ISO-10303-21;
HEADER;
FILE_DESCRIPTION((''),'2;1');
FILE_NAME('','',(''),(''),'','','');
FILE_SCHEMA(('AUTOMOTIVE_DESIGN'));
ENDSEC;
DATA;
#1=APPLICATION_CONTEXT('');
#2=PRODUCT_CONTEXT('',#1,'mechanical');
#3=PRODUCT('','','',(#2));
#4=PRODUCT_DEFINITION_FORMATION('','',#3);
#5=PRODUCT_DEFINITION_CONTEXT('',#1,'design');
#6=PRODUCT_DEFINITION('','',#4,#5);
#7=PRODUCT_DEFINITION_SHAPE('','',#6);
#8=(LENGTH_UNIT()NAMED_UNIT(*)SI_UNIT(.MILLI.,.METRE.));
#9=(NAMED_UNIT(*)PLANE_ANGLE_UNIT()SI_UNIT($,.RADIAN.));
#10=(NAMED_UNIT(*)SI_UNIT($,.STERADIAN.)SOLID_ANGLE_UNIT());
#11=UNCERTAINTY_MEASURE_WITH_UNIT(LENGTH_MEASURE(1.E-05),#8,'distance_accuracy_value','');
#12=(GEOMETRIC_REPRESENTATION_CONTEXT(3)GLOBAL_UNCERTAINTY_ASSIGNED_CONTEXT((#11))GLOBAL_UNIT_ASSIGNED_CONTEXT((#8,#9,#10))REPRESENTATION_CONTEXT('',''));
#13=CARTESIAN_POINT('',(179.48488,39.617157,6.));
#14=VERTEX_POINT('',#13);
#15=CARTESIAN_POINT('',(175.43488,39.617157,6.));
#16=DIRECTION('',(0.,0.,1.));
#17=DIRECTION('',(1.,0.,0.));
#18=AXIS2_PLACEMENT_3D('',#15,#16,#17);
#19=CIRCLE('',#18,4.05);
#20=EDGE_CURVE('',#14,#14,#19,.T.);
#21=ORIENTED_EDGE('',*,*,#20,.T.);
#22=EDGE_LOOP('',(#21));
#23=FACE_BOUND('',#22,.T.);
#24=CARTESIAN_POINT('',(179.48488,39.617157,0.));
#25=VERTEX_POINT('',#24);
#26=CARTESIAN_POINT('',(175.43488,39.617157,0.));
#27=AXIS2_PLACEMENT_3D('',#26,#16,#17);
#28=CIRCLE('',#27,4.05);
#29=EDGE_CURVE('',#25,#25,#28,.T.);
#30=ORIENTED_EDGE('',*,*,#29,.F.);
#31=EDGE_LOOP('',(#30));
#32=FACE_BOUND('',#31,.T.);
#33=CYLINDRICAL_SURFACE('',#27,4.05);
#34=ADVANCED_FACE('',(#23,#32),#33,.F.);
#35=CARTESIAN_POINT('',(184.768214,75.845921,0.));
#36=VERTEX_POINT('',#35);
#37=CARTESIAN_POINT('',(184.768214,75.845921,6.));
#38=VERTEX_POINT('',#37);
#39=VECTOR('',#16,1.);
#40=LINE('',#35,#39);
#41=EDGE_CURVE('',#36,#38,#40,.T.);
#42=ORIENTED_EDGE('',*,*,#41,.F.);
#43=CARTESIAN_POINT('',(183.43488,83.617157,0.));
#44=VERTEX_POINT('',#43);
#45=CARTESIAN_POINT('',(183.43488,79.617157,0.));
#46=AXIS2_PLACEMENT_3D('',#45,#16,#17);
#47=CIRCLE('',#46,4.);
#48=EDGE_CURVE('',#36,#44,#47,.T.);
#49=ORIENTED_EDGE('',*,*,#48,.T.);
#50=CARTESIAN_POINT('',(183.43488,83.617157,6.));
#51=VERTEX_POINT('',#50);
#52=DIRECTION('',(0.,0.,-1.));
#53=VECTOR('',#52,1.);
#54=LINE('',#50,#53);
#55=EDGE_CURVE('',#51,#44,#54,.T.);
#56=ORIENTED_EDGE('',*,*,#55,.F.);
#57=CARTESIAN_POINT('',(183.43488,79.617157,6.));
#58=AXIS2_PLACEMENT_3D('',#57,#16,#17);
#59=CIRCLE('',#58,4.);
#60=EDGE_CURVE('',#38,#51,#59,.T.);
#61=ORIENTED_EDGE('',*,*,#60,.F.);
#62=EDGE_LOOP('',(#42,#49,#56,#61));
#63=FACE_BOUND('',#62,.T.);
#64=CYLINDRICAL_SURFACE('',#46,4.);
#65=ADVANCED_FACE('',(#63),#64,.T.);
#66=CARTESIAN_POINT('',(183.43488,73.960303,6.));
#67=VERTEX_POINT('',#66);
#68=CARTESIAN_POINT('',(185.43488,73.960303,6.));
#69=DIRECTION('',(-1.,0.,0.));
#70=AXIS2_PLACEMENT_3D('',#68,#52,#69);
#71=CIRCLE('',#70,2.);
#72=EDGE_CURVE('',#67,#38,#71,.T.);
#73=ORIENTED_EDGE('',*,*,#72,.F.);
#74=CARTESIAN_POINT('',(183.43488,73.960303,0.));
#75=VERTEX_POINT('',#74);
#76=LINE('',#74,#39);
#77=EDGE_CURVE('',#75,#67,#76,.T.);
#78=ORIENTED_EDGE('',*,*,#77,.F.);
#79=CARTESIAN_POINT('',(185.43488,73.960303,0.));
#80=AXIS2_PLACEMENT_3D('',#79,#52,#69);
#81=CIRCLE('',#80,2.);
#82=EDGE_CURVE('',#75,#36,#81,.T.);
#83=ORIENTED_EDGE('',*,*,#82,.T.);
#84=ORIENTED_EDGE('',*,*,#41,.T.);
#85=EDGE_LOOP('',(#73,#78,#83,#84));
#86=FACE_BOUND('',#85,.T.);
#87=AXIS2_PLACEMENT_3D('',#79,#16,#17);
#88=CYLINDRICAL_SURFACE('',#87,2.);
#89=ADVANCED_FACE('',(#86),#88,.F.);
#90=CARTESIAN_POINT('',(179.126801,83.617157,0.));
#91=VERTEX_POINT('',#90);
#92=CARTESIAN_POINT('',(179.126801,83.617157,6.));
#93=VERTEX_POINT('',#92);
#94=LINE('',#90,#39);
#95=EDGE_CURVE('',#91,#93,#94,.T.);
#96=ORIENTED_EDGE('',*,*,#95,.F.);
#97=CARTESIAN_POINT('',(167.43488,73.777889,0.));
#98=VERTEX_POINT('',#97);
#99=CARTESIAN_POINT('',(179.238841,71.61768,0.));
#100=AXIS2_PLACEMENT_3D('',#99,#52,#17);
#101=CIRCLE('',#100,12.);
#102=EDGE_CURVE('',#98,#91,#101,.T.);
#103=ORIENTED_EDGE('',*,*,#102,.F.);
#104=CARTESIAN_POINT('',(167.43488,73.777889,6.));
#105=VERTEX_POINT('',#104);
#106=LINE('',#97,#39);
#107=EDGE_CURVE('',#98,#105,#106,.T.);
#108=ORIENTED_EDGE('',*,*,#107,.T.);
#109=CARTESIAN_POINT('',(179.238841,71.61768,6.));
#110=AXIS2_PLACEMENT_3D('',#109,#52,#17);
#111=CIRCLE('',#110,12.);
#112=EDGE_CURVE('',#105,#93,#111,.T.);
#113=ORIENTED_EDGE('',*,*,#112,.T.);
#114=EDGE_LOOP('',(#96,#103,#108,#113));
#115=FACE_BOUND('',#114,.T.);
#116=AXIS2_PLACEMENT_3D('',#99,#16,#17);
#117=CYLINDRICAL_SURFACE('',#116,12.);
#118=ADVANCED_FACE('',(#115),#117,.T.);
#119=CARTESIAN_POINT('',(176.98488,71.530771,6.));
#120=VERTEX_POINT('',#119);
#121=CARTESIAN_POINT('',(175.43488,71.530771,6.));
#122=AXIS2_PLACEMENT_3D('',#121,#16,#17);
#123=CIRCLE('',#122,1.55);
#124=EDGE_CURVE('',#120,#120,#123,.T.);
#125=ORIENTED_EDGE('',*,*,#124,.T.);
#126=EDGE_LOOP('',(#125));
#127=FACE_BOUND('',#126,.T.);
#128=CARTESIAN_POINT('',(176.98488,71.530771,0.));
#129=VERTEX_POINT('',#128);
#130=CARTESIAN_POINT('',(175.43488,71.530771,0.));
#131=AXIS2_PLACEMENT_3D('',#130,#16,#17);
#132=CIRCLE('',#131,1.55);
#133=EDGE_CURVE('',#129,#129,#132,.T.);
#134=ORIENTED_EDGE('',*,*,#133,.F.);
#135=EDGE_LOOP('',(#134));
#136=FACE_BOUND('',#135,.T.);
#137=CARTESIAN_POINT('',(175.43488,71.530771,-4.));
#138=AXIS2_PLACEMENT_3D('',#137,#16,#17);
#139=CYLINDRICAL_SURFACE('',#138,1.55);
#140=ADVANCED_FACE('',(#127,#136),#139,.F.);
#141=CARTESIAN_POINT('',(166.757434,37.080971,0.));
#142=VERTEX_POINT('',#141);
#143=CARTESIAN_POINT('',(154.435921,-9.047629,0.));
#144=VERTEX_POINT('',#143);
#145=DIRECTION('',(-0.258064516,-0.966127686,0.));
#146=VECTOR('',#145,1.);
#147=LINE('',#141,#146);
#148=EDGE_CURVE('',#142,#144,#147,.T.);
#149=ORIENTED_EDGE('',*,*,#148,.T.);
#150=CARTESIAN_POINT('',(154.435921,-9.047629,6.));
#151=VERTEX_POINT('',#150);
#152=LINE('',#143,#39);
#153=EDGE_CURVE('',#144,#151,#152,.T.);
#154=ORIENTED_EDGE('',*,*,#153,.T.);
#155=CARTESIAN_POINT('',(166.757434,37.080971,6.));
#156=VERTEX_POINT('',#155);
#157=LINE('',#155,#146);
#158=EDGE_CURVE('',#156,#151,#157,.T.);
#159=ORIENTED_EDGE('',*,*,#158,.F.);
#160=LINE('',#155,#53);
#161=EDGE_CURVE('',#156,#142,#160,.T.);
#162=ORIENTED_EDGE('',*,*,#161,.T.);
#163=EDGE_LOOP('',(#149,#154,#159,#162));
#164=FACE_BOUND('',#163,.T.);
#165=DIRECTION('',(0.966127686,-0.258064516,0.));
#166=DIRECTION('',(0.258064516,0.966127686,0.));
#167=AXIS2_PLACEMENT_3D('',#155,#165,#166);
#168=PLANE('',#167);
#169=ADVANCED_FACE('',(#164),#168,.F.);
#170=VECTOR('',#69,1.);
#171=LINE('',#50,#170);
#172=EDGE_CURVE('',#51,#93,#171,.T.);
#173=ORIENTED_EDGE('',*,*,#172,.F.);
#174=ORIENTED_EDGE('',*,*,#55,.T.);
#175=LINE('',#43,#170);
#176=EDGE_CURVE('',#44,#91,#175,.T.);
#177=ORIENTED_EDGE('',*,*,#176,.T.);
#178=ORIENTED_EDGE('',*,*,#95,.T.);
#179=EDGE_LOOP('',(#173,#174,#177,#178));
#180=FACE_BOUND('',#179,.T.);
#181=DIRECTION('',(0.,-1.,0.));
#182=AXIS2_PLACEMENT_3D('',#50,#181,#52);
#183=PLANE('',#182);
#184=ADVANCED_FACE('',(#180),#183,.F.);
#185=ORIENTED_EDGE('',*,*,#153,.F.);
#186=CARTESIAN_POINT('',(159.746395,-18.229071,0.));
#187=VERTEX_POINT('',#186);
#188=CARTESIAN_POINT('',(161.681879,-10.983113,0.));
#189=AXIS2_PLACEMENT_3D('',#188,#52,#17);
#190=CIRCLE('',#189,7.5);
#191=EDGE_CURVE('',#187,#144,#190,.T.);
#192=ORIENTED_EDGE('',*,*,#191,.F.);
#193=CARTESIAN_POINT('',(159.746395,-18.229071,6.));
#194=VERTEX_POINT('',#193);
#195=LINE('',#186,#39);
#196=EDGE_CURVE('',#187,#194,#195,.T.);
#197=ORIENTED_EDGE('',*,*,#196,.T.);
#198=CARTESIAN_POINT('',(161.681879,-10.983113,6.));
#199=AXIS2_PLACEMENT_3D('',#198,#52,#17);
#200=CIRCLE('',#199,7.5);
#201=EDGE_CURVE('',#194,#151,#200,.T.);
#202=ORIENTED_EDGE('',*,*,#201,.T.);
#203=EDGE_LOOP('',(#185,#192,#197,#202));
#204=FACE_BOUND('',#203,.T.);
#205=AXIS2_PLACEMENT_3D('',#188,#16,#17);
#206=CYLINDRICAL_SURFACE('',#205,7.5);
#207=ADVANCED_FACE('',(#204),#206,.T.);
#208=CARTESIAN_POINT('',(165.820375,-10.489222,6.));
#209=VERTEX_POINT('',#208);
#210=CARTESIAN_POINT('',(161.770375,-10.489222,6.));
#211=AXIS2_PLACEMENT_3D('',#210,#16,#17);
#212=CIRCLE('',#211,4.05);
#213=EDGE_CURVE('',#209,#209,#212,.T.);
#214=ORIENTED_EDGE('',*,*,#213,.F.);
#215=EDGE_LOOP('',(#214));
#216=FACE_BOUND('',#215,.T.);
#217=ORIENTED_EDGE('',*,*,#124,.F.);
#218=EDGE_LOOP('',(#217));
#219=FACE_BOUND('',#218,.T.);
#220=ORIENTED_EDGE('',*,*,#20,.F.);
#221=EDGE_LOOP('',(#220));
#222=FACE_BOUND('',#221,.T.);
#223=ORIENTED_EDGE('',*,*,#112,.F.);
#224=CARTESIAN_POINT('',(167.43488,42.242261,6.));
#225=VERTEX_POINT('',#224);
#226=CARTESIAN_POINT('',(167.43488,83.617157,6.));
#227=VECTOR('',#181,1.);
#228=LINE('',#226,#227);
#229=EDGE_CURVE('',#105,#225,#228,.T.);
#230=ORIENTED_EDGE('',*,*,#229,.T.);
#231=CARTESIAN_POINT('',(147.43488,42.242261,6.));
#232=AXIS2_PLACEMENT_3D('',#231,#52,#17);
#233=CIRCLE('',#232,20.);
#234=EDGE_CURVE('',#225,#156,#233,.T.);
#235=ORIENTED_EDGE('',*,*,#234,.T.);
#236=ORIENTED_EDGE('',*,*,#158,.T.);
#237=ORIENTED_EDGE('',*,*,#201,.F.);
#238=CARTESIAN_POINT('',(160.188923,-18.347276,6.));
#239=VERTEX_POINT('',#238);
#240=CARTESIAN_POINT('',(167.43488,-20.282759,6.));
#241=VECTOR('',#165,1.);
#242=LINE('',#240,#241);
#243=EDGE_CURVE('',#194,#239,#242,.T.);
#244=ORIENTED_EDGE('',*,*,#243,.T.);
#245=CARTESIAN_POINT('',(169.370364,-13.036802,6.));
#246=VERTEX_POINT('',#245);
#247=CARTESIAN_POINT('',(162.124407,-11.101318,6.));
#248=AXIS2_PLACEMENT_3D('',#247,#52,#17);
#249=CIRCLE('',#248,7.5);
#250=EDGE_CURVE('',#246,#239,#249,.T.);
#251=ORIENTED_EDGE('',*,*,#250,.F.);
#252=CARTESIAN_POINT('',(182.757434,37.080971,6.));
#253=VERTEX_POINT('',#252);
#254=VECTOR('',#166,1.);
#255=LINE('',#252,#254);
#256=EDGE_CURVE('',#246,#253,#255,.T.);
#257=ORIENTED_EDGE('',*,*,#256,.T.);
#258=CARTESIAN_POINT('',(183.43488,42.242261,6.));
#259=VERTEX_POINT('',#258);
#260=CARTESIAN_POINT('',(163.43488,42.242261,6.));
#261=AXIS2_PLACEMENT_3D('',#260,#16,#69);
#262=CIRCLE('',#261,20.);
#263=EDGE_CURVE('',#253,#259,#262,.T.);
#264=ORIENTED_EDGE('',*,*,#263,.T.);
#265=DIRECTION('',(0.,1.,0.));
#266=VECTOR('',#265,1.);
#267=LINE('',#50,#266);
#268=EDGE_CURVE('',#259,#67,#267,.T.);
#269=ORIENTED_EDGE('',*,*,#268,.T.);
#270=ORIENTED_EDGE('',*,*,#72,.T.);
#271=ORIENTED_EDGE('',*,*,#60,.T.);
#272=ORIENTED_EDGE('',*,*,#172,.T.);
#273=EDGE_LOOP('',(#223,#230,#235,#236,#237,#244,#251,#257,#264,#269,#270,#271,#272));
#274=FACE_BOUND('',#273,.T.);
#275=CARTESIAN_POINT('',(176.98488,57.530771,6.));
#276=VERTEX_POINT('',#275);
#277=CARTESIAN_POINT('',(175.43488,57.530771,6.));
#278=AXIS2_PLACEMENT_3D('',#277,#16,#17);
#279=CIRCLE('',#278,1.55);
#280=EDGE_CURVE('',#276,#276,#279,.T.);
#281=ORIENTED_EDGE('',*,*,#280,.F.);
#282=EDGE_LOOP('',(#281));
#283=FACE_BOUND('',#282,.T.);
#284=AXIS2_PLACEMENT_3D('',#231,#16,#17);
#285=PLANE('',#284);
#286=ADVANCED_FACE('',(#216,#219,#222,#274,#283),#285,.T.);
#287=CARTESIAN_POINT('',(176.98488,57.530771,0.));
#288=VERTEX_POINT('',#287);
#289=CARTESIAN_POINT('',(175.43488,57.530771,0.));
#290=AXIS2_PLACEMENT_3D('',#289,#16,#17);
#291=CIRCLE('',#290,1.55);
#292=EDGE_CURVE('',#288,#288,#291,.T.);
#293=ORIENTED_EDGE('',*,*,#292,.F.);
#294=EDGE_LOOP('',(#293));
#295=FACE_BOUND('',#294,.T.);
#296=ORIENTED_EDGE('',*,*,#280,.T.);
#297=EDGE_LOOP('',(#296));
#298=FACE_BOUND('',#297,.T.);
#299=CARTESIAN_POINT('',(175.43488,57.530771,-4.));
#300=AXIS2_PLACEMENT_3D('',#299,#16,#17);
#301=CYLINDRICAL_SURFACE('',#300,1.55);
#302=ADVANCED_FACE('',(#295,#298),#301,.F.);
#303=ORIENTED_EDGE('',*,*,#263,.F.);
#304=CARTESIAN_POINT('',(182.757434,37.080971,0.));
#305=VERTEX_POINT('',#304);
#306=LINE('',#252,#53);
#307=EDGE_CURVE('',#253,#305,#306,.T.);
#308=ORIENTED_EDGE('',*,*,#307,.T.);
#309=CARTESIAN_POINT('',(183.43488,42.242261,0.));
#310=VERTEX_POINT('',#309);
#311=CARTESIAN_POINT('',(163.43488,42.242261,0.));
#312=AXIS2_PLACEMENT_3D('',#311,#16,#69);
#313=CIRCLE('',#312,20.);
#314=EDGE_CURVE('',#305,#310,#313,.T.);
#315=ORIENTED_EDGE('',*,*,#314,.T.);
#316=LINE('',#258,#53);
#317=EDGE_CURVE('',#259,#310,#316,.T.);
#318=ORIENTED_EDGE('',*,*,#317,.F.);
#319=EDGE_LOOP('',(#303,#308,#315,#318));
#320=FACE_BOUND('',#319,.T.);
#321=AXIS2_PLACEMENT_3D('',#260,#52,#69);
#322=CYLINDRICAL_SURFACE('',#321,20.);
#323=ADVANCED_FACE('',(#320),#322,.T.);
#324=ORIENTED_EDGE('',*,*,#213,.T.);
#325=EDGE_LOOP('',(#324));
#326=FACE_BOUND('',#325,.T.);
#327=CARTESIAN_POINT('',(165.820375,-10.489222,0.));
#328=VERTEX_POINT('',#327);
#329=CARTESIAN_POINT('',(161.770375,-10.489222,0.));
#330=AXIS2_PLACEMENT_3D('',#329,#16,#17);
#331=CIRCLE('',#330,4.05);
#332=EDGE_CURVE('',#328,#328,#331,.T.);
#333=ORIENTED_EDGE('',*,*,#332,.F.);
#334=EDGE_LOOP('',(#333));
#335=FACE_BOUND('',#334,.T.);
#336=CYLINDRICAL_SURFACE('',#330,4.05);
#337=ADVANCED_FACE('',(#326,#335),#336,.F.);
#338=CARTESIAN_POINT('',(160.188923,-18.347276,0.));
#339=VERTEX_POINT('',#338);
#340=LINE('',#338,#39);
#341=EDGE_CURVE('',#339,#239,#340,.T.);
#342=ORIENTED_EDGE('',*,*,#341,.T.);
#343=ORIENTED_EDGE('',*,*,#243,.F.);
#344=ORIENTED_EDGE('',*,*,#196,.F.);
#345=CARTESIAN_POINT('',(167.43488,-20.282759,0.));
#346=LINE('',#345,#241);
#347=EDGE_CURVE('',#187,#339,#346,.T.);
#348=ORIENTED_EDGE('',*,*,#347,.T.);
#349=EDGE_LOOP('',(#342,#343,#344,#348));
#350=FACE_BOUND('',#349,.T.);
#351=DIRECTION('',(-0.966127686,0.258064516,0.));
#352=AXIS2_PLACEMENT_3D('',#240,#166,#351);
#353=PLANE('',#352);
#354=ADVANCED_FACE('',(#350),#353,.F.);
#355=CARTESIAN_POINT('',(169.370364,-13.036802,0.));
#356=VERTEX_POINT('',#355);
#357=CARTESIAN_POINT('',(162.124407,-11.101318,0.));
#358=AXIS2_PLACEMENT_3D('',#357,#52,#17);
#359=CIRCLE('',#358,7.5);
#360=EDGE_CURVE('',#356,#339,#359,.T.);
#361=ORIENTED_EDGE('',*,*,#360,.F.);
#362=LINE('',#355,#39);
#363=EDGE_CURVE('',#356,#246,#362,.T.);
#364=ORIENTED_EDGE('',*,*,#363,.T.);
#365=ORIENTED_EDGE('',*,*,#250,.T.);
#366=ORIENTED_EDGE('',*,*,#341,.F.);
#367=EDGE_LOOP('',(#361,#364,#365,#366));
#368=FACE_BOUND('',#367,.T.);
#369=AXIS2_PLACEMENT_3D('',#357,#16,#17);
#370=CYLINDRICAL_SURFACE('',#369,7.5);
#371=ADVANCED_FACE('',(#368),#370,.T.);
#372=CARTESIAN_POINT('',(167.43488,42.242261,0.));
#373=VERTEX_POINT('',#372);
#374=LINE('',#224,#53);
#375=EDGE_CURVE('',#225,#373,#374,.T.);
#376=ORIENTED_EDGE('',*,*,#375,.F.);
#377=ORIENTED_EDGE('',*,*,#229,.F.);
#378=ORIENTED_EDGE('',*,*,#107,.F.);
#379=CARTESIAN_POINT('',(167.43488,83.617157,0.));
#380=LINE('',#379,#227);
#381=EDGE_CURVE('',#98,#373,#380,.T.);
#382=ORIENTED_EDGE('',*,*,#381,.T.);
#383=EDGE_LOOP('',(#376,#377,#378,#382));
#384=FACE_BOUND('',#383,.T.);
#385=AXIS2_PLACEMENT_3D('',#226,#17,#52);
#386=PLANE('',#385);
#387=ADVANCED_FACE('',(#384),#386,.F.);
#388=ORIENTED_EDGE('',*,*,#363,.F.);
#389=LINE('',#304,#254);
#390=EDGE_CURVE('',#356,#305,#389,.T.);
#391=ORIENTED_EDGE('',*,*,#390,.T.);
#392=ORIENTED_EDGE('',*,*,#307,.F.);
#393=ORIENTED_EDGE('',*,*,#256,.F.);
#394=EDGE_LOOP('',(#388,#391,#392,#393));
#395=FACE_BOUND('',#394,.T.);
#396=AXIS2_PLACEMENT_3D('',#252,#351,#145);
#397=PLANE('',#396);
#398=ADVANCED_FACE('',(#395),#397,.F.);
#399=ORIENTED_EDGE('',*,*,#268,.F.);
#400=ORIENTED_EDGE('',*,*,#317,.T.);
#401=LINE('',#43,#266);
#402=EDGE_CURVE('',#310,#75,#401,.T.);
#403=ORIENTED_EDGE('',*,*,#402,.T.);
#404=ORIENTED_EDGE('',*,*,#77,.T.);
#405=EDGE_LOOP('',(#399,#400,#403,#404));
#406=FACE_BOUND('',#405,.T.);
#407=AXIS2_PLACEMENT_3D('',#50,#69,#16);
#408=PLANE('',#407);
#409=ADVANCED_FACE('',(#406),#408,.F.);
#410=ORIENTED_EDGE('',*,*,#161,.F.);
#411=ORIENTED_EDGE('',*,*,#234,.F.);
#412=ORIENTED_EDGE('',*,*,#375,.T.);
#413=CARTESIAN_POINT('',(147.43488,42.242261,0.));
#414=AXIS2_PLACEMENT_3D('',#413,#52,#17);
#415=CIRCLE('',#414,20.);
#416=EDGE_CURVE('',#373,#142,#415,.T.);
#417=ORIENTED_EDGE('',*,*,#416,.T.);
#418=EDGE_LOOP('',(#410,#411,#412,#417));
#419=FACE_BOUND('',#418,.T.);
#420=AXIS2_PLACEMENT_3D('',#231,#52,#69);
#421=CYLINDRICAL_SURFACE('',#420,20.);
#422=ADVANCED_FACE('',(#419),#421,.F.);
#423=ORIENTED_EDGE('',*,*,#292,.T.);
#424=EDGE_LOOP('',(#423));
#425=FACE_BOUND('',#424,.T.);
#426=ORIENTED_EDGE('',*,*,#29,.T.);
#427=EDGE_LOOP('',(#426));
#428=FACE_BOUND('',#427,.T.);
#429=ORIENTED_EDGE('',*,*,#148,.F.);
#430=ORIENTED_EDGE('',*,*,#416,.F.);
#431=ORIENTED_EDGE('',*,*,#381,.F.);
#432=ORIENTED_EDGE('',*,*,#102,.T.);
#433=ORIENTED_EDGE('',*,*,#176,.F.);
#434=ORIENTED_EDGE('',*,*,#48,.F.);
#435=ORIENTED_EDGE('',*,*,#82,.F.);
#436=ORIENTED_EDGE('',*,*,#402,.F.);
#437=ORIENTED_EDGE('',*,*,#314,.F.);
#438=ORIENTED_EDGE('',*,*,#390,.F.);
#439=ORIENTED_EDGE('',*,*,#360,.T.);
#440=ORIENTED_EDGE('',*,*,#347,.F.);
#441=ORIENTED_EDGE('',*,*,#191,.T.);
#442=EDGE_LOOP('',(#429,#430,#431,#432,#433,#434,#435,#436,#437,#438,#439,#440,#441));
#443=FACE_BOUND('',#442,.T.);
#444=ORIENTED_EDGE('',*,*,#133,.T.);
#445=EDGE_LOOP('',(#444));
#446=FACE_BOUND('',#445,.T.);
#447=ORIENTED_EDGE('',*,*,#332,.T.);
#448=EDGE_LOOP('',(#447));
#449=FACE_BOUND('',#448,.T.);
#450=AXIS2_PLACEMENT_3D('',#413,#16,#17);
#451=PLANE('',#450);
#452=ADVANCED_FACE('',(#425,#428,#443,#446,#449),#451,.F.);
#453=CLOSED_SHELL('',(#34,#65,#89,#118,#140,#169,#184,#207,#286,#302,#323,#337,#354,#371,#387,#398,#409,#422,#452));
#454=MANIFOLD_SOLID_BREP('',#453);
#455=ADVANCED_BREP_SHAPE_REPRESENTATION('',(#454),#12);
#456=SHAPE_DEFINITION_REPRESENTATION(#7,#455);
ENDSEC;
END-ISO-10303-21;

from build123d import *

# Parameters (mm, degrees)
DODANIE_WYCI_GNI_CIE1_DEPTH = 6
SZKIC2_R                    = 4.05
WYTNIJ_WYCI_GNI_CIE1_DEPTH  = 6
SZKIC4_R                    = 4.05
WYTNIJ_WYCI_GNI_CIE4_DEPTH  = 6
WYTNIJ_WYCI_GNI_CIE5_DEPTH  = 6
SZKIC6_R                    = 4
DODANIE_WYCI_GNI_CIE2_DEPTH = 6
SZKIC7_R                    = 1.55
WYTNIJ_WYCI_GNI_CIE6_DEPTH  = 10
DODANIE_WYCI_GNI_CIE3_DEPTH = 6
WYTNIJ_WYCI_GNI_CIE7_DEPTH  = 6


with BuildPart() as part:
    # Szkic1 → Dodanie-wyciągnięcie1 (new body)
    with BuildSketch(Plane.XY):
        with BuildLine():
            Line((183.434880274, 83.617157096), (183.434880274, 42.242261437))
            ThreePointArc((183.434880274, 42.242261437), (183.264795483, 39.639481612), (182.757433993, 37.080971114))
            Line((182.757433993, 37.080971114), (167.434880274, -20.282759431))
            Line((167.434880274, -20.282759431), (152.500436986, -16.293587051))
            Line((152.500436986, -16.293587051), (166.757433993, 37.080971114))
            ThreePointArc((166.757433993, 37.080971114), (167.264795483, 39.639481612), (167.434880274, 42.242261437))
            Line((167.434880274, 42.242261437), (167.434880274, 83.617157096))
            Line((167.434880274, 83.617157096), (183.434880274, 83.617157096))
        make_face()
    extrude(amount=DODANIE_WYCI_GNI_CIE1_DEPTH)

    # Szkic2 → Wytnij-wyciągnięcie1 (cut)
    with BuildSketch(Plane.XY.offset(6)):
        with Locations((175.434880274, 39.617157096)):
            Circle(SZKIC2_R)
        with Locations((175.434880274, -14.382842904)):
            Circle(SZKIC2_R)
    extrude(amount=-WYTNIJ_WYCI_GNI_CIE1_DEPTH, mode=Mode.SUBTRACT)

    # Szkic4 → Wytnij-wyciągnięcie4 (cut)
    with BuildSketch(Plane.XY.offset(6)):
        with Locations((161.770374916, -10.489221815)):
            Circle(SZKIC4_R)
    extrude(amount=-WYTNIJ_WYCI_GNI_CIE4_DEPTH, mode=Mode.SUBTRACT)

    # Szkic5 → Wytnij-wyciągnięcie5 (cut)
    with BuildSketch(Plane.XY.offset(6)):
        with BuildLine():
            Line((167.434880274, 73.777889147), (167.434880274, 83.617157096))
            Line((167.434880274, 83.617157096), (179.126801066, 83.617157096))
            ThreePointArc((179.126801066, 83.617157096), (171.51222692, 80.799152225), (167.434880274, 73.777889147))
        make_face()
    extrude(amount=-WYTNIJ_WYCI_GNI_CIE5_DEPTH, mode=Mode.SUBTRACT)

    # Szkic6 → Dodanie-wyciągnięcie2 (add)
    with BuildSketch(Plane.XY.offset(6)):
        with Locations((183.434880274, 79.617157096)):
            Circle(SZKIC6_R)
    extrude(amount=-DODANIE_WYCI_GNI_CIE2_DEPTH)

    # Szkic7 → Wytnij-wyciągnięcie6 (cut)
    with BuildSketch(Plane.XY.offset(6)):
        with Locations((175.434880274, 57.530770571)):
            Circle(SZKIC7_R)
        with Locations((175.434880274, 71.530770571)):
            Circle(SZKIC7_R)
    extrude(amount=-WYTNIJ_WYCI_GNI_CIE6_DEPTH, mode=Mode.SUBTRACT)

    # Szkic8 → Dodanie-wyciągnięcie3 (add)
    with BuildSketch(Plane.XY.offset(6)):
        with BuildLine():
            Line((184.768213607, 75.84592093), (183.01913403, 76.038564372))
            Line((183.01913403, 76.038564372), (183.434880274, 73.960302847))
            ThreePointArc((183.434880274, 73.960302847), (183.801887112, 75.115003385), (184.768213607, 75.84592093))
        make_face()
    extrude(amount=-DODANIE_WYCI_GNI_CIE3_DEPTH)

    # Szkic10 → Wytnij-wyciągnięcie7 (cut)
    with BuildSketch(Plane.XY.offset(6)):
        with BuildLine():
            Line((169.370364145, -13.036801787), (167.434880274, -20.282759431))
            Line((167.434880274, -20.282759431), (160.18892263, -18.34727556))
            ThreePointArc((160.18892263, -18.34727556), (165.879478517, -17.593577473), (169.370364145, -13.036801787))
        make_face()
        with BuildLine():
            Line((154.435920857, -9.047629406), (152.500436986, -16.293587051))
            Line((152.500436986, -16.293587051), (159.74639463, -18.229070922))
            ThreePointArc((159.74639463, -18.229070922), (155.189618945, -14.738185294), (154.435920857, -9.047629406))
        make_face()
    extrude(amount=-WYTNIJ_WYCI_GNI_CIE7_DEPTH, mode=Mode.SUBTRACT)


solid = part.part
